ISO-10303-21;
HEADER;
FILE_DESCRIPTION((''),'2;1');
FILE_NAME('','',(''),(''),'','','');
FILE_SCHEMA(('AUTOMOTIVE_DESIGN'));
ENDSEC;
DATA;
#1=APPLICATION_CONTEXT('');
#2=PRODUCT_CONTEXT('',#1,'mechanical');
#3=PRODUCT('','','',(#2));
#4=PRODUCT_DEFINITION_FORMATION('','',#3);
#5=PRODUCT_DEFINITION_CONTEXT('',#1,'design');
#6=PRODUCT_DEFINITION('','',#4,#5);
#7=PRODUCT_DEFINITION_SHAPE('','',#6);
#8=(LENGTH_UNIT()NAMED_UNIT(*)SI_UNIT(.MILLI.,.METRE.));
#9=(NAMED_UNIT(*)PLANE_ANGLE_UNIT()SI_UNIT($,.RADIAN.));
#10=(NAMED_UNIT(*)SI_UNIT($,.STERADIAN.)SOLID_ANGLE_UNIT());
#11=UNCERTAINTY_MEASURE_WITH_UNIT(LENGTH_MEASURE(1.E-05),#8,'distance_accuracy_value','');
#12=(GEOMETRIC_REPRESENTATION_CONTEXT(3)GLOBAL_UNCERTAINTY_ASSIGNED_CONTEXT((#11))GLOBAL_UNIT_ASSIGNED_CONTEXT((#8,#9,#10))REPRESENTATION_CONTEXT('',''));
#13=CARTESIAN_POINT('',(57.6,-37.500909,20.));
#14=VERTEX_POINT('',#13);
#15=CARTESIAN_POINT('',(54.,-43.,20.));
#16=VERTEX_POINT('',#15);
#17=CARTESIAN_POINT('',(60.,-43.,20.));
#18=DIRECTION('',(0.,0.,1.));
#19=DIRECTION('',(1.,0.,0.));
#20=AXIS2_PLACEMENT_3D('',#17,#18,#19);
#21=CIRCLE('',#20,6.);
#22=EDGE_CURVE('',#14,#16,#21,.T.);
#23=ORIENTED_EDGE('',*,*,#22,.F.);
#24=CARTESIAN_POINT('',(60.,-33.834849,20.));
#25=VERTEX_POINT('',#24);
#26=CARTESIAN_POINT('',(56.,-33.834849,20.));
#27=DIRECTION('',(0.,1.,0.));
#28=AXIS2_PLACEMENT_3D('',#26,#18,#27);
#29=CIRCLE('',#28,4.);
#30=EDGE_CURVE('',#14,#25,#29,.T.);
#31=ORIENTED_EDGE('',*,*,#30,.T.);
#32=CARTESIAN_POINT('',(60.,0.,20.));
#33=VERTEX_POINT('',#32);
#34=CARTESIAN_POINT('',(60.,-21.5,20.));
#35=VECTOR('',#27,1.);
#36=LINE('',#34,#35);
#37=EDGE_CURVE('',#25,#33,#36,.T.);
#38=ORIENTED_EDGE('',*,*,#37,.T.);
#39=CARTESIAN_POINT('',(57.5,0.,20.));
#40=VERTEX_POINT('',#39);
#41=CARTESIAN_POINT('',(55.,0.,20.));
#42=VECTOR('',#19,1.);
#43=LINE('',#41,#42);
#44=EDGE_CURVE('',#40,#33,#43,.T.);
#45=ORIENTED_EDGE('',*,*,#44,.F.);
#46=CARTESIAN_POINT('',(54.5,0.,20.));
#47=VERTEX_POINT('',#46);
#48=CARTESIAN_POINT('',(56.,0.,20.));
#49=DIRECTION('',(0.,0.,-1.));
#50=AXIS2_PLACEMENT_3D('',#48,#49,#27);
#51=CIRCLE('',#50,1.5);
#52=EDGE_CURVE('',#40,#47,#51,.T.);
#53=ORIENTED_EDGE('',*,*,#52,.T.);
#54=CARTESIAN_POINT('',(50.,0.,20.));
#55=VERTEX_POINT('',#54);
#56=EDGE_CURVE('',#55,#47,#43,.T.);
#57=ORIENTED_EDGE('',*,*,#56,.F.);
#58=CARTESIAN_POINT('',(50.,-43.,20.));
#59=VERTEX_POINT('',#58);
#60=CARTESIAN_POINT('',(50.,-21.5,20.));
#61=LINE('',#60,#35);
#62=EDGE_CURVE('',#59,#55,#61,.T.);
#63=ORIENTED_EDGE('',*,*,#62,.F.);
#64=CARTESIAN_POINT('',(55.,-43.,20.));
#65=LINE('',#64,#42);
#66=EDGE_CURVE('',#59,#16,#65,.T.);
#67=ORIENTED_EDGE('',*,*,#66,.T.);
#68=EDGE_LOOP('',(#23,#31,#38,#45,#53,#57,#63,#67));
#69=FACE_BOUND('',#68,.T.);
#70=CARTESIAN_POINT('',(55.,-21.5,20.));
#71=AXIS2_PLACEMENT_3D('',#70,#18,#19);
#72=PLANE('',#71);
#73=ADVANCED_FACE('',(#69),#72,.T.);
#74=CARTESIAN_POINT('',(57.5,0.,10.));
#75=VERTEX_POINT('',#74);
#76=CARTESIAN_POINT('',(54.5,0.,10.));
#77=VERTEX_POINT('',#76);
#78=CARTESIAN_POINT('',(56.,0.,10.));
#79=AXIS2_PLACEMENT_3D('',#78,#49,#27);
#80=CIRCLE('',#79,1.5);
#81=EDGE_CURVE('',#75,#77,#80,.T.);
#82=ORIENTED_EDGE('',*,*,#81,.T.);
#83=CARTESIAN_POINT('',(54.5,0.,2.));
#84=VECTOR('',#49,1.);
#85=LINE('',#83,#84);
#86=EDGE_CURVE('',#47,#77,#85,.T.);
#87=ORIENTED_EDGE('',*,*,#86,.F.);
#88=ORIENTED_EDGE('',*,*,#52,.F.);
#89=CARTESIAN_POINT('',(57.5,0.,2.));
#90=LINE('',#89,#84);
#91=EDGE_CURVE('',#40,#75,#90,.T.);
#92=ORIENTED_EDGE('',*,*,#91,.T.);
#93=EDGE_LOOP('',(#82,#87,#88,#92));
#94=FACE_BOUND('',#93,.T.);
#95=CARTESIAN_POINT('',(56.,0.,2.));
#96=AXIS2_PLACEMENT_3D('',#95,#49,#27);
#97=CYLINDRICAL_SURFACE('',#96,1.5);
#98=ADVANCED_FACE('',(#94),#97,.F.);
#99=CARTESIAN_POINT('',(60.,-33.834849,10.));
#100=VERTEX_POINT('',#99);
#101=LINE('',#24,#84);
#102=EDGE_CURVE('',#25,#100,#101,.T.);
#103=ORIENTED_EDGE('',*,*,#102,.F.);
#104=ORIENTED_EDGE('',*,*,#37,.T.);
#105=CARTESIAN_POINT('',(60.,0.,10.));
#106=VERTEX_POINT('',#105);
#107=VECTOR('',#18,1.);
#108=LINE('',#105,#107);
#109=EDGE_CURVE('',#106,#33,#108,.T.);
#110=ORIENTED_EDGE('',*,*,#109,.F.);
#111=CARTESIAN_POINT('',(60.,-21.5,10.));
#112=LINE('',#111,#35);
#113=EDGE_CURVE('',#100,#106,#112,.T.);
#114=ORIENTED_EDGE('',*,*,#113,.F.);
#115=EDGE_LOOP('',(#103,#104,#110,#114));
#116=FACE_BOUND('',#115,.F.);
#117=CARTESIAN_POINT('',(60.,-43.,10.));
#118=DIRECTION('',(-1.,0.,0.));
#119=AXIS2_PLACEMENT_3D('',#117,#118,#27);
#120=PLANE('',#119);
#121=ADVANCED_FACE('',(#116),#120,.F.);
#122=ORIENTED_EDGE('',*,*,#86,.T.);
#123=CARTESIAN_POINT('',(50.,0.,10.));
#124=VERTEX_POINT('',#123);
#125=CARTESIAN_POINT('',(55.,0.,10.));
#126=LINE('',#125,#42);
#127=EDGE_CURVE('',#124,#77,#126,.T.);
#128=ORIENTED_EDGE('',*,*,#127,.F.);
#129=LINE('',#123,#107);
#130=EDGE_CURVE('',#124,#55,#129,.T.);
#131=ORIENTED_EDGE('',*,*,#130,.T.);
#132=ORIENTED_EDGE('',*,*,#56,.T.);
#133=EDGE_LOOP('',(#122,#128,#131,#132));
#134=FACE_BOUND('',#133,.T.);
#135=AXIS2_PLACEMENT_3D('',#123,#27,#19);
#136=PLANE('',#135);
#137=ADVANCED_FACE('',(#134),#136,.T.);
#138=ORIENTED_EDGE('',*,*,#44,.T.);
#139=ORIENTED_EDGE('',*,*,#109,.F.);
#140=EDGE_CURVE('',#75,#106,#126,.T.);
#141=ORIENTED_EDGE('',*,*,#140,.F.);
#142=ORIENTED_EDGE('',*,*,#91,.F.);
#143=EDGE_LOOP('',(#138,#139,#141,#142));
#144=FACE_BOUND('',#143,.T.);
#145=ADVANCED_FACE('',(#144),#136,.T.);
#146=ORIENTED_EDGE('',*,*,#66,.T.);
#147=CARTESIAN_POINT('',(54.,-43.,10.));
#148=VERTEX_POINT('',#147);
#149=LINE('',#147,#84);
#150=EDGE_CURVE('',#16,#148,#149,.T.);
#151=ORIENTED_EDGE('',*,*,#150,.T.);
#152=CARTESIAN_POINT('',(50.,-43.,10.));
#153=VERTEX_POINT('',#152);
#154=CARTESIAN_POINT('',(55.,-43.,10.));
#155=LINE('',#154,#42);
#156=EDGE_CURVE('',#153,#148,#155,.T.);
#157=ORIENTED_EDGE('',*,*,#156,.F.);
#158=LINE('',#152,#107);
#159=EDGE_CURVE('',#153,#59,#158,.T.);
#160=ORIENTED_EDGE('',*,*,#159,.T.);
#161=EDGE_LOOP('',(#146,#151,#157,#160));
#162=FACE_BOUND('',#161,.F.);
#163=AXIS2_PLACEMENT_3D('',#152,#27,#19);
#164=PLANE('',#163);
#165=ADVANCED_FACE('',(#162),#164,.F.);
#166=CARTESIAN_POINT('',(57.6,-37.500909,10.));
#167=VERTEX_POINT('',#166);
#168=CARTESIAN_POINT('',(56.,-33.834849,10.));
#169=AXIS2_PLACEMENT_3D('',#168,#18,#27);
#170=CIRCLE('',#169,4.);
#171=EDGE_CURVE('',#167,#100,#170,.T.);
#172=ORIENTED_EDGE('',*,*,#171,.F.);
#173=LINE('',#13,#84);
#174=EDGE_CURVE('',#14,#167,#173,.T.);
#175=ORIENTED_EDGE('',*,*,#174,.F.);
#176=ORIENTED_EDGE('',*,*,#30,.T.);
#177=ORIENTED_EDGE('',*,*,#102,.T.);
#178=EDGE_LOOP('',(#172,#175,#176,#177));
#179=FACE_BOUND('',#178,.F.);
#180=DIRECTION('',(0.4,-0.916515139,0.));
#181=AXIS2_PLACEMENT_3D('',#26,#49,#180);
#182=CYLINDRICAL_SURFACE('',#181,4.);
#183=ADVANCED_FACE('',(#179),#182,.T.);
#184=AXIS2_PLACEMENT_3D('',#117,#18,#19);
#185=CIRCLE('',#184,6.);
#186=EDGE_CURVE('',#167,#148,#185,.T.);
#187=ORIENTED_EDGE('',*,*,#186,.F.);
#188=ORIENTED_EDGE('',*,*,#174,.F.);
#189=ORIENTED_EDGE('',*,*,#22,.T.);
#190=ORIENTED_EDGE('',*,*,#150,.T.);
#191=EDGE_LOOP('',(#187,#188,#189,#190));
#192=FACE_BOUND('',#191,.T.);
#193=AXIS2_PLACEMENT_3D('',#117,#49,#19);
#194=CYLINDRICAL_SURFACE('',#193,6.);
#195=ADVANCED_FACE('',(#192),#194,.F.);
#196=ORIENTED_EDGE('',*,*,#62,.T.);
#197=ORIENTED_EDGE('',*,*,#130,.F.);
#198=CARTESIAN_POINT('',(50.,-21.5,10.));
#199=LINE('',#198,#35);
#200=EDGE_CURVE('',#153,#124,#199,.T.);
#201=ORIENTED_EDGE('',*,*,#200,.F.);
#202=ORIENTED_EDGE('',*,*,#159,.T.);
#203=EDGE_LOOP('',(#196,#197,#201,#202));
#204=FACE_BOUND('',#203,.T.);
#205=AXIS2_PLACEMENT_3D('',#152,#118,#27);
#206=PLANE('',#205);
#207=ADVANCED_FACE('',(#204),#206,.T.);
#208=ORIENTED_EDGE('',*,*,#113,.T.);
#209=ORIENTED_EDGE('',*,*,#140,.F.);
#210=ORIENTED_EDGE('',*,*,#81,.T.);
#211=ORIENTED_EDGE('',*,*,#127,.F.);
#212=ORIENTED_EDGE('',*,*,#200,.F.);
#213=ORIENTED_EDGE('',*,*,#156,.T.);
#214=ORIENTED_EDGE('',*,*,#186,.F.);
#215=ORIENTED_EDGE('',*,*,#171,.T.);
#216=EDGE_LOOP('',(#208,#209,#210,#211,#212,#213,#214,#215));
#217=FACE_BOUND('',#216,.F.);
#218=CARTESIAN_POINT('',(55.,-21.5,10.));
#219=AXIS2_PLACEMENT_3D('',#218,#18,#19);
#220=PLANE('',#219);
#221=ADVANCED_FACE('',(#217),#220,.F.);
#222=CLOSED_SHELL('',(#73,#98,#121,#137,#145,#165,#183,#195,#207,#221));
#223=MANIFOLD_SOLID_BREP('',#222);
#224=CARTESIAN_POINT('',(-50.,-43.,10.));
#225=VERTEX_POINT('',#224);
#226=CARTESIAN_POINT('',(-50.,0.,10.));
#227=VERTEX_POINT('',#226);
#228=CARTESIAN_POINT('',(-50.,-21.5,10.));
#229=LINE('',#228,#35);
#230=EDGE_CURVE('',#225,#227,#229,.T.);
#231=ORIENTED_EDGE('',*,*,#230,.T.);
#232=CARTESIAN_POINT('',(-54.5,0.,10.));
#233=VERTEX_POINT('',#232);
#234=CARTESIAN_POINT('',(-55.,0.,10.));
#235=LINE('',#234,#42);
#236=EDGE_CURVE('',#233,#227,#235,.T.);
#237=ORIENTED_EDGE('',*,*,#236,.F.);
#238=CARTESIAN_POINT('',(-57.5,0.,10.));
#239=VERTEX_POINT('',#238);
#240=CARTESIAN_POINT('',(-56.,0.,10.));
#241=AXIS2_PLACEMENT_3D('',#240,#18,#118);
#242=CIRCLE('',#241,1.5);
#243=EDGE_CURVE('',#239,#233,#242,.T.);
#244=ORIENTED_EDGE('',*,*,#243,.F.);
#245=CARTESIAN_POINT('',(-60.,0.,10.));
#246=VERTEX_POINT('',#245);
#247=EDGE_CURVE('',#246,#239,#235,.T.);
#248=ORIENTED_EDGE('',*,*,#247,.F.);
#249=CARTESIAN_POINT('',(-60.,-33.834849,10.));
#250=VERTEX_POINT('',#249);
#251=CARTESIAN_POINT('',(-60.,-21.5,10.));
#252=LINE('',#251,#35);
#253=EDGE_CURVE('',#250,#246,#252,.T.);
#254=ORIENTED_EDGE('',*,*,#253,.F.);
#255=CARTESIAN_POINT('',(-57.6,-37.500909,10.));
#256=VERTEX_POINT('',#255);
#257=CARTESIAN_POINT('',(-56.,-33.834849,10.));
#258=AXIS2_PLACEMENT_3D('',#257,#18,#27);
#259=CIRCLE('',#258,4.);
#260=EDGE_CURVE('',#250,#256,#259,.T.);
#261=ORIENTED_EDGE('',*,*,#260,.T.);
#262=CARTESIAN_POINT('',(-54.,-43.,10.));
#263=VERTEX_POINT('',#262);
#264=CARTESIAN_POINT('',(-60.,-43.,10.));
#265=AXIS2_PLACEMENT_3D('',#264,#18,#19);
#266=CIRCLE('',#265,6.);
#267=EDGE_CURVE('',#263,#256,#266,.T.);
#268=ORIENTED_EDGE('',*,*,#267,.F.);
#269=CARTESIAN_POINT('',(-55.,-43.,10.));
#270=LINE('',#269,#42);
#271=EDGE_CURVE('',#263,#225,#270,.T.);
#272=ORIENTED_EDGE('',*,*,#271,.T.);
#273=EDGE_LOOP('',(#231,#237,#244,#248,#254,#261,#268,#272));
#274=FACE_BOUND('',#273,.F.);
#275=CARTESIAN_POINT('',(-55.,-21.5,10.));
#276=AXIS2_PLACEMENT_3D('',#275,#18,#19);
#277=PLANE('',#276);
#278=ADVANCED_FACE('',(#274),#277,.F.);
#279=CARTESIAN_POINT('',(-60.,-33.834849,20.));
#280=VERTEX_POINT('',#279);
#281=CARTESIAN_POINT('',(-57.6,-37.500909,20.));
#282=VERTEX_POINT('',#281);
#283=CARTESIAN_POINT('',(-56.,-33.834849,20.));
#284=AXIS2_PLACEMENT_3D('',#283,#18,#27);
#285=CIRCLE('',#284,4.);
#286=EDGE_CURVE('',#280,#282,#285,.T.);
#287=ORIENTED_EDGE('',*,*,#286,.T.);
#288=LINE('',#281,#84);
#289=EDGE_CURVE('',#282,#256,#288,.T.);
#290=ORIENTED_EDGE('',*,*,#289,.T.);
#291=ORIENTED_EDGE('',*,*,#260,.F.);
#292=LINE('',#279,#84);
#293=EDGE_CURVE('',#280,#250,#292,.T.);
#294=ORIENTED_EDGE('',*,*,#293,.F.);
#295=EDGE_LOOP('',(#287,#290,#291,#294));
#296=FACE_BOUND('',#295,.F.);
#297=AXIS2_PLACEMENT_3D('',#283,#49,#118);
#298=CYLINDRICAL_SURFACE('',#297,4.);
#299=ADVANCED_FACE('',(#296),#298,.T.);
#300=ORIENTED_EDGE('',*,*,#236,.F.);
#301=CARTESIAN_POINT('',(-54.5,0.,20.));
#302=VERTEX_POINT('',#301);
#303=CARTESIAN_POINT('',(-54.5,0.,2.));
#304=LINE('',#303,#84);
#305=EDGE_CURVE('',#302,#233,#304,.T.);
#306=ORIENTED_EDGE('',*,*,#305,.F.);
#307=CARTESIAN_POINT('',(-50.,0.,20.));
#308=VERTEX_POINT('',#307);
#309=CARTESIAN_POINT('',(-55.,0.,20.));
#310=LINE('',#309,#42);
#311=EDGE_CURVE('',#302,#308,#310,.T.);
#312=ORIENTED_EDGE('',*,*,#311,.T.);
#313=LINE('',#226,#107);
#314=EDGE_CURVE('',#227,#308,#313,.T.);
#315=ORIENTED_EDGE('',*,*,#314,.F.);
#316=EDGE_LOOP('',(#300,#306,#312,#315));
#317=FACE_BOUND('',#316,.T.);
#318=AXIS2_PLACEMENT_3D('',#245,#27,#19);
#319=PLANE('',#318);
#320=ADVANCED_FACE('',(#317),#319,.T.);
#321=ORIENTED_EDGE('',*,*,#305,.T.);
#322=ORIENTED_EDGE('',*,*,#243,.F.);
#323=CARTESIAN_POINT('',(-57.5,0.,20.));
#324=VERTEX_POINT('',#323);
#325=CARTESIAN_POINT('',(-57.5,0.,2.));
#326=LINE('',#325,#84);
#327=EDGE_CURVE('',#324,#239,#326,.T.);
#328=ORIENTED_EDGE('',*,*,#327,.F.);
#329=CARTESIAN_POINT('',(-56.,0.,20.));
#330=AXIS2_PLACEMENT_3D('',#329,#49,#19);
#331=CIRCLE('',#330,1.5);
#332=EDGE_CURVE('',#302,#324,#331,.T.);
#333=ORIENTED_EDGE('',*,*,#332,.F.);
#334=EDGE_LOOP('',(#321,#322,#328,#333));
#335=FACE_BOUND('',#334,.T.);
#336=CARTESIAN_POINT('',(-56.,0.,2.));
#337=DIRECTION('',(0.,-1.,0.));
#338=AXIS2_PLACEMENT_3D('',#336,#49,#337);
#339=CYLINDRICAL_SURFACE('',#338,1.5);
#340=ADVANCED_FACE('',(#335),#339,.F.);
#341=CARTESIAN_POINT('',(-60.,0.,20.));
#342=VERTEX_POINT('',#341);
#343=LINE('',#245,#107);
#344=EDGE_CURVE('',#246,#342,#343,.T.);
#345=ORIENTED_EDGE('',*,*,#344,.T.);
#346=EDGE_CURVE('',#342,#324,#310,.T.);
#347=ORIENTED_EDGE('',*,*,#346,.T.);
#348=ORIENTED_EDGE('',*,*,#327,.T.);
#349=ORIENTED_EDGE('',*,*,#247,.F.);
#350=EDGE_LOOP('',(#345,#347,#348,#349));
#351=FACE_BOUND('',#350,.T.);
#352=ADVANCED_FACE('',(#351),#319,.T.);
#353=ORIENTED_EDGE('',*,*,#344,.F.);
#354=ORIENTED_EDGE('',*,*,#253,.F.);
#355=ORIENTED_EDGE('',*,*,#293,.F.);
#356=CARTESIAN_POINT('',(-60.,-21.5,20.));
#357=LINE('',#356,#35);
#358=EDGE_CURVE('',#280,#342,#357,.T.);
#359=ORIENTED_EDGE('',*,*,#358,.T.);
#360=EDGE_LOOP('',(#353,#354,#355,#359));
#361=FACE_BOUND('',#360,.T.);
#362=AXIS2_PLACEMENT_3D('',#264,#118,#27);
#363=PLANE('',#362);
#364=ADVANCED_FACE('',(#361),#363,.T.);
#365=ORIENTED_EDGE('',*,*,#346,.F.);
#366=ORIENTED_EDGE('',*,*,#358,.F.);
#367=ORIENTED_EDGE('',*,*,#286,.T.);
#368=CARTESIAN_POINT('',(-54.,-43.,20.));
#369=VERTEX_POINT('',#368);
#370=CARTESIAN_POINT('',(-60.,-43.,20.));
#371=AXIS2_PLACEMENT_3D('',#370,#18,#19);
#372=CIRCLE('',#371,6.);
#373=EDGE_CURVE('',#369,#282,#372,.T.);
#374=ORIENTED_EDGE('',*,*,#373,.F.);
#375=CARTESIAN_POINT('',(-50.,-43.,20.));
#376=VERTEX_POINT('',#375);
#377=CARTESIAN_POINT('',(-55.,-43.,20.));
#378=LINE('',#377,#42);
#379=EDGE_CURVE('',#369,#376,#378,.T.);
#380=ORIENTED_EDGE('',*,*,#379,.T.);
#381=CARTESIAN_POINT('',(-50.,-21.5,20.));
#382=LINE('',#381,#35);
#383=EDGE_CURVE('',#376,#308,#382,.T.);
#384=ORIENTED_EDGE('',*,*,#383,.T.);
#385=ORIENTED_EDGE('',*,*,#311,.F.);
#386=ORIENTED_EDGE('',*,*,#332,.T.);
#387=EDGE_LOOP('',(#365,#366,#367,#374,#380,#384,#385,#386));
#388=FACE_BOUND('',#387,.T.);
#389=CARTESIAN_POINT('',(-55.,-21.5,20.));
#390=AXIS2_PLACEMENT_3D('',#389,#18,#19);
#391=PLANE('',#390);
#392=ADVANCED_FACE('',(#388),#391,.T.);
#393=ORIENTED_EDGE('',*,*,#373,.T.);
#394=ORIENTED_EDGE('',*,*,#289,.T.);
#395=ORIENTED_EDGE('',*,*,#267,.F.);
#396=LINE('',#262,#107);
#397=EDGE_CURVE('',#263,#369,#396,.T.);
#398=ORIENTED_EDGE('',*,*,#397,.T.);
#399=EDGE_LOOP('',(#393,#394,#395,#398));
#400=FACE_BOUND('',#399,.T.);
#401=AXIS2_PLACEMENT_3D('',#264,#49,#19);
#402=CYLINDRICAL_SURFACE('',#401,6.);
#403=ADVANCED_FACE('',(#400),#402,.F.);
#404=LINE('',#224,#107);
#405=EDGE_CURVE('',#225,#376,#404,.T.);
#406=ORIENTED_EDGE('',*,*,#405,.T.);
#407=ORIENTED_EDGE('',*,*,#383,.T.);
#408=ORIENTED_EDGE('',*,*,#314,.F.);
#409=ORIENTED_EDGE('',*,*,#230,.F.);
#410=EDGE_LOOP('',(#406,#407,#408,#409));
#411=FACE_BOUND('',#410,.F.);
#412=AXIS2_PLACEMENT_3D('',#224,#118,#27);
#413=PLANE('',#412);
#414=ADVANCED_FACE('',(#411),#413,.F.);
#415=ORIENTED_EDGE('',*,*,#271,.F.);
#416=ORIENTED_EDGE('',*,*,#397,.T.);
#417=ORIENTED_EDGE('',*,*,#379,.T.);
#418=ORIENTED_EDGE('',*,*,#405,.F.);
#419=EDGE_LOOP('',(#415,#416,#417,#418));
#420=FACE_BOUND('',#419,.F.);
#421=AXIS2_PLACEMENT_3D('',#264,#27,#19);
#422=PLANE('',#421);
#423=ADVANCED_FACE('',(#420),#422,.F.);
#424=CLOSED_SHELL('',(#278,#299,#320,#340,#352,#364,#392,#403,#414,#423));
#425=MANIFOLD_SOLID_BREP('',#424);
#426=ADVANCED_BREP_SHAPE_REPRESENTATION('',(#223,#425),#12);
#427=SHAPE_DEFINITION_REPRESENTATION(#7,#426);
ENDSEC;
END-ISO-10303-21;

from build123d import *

# Parameters (mm, degrees)
CYLINDER526_R               = 6
CYLINDER526_DEPTH           = 10
CYLINDER522_R               = 6
CYLINDER522_DEPTH           = 10
CYLINDER524_R               = 1.5
CYLINDER524_DEPTH           = 20
CYLINDER524_PLACEMENT_ANGLE = 45
CYLINDER521_R               = 1.5
CYLINDER521_DEPTH           = 20
CYLINDER523_R               = 1.5
CYLINDER523_DEPTH           = 20
CYLINDER523_PLACEMENT_ANGLE = 135
CYLINDER527_R               = 1.5
CYLINDER527_DEPTH           = 20
CYLINDER520_R               = 1.5
CYLINDER520_DEPTH           = 20
CYLINDER520_PLACEMENT_ANGLE = 225
CYLINDER525_R               = 1.5
CYLINDER525_DEPTH           = 20
CYLINDER518_R               = 1.5
CYLINDER518_DEPTH           = 20
CYLINDER518_PLACEMENT_ANGLE = 45
CYLINDER519_R               = 1.5
CYLINDER519_DEPTH           = 20
BOX108_W                    = 10
BOX108_H                    = 43
BOX108_DEPTH                = 10
BOX109_W                    = 10
BOX109_H                    = 43
BOX109_DEPTH                = 10
FILLET002_R                 = 4


with BuildPart() as v_lec526:
    # Cylinder526 → Cylinder526 (new body)
    with BuildSketch(Plane(origin=(-60, -43, 10), x_dir=(1, 0, 0), z_dir=(0, 0, 1))):
        Circle(CYLINDER526_R)
    extrude(amount=CYLINDER526_DEPTH)


with BuildPart() as compound241:
    # Cylinder522 → Cylinder522 (new body)
    with BuildSketch(Plane(origin=(60, -43, 10), x_dir=(1, 0, 0), z_dir=(0, 0, 1))):
        Circle(CYLINDER522_R)
    extrude(amount=CYLINDER522_DEPTH)

    # Compound241: union Válec526
    add(v_lec526.part)


with BuildPart() as v_lec524:
    # Cylinder524 → Cylinder524 (new body)
    with BuildSketch(Plane.XY):
        Circle(CYLINDER524_R)
    extrude(amount=CYLINDER524_DEPTH)


with BuildPart() as v_lec524_1:
    # Cylinder524 placement: moved
    add(v_lec524.part.moved(Location((39.59798, -39.59798, 2))).rotate(Axis((39.59798, -39.59798, 2), (0, 0, 1)), CYLINDER524_PLACEMENT_ANGLE))


with BuildPart() as v_lec521:
    # Cylinder521 → Cylinder521 (new body)
    with BuildSketch(Plane(origin=(56, 0, 2), x_dir=(0, 1, 0), z_dir=(0, 0, 1))):
        Circle(CYLINDER521_R)
    extrude(amount=CYLINDER521_DEPTH)


with BuildPart() as v_lec523:
    # Cylinder523 → Cylinder523 (new body)
    with BuildSketch(Plane.XY):
        Circle(CYLINDER523_R)
    extrude(amount=CYLINDER523_DEPTH)


with BuildPart() as v_lec523_1:
    # Cylinder523 placement: moved
    add(v_lec523.part.moved(Location((39.59798, 39.59798, 2))).rotate(Axis((39.59798, 39.59798, 2), (0, 0, 1)), CYLINDER523_PLACEMENT_ANGLE))


with BuildPart() as v_lec527:
    # Cylinder527 → Cylinder527 (new body)
    with BuildSketch(Plane(origin=(0, 56, 2), x_dir=(-1, 0, 0), z_dir=(0, 0, 1))):
        Circle(CYLINDER527_R)
    extrude(amount=CYLINDER527_DEPTH)


with BuildPart() as v_lec520:
    # Cylinder520 → Cylinder520 (new body)
    with BuildSketch(Plane.XY):
        Circle(CYLINDER520_R)
    extrude(amount=CYLINDER520_DEPTH)


with BuildPart() as v_lec520_1:
    # Cylinder520 placement: moved
    add(v_lec520.part.moved(Location((-39.59798, 39.59798, 2))).rotate(Axis((-39.59798, 39.59798, 2), (0, 0, 1)), CYLINDER520_PLACEMENT_ANGLE))


with BuildPart() as v_lec525:
    # Cylinder525 → Cylinder525 (new body)
    with BuildSketch(Plane(origin=(-56, 0, 2), x_dir=(0, -1, 0), z_dir=(0, 0, 1))):
        Circle(CYLINDER525_R)
    extrude(amount=CYLINDER525_DEPTH)


with BuildPart() as v_lec518:
    # Cylinder518 → Cylinder518 (new body)
    with BuildSketch(Plane.XY):
        Circle(CYLINDER518_R)
    extrude(amount=CYLINDER518_DEPTH)


with BuildPart() as v_lec518_1:
    # Cylinder518 placement: moved
    add(v_lec518.part.moved(Location((-39.59798, -39.59798, 2))).rotate(Axis((-39.59798, -39.59798, 2), (0, 0, -1)), CYLINDER518_PLACEMENT_ANGLE))


with BuildPart() as compound240:
    # Cylinder519 → Cylinder519 (new body)
    with BuildSketch(Plane(origin=(0, -56, 2), x_dir=(1, 0, 0), z_dir=(0, 0, 1))):
        Circle(CYLINDER519_R)
    extrude(amount=CYLINDER519_DEPTH)

    # Compound240: union Válec524, Válec521, Válec523, Válec527, Válec520, Válec525, Válec518
    add(v_lec524_1.part)
    add(v_lec521.part)
    add(v_lec523_1.part)
    add(v_lec527.part)
    add(v_lec520_1.part)
    add(v_lec525.part)
    add(v_lec518_1.part)


with BuildPart() as krychle108:
    # Box108 → Box108 (new body)
    with BuildSketch(Plane(origin=(50, -43, 10), x_dir=(1, 0, 0), z_dir=(0, 0, 1))):
        with Locations((5, 21.5)):
            Rectangle(BOX108_W, BOX108_H)
    extrude(amount=BOX108_DEPTH)


with BuildPart() as fillet002:
    # Box109 → Box109 (new body)
    with BuildSketch(Plane(origin=(-60, -43, 10), x_dir=(1, 0, 0), z_dir=(0, 0, 1))):
        with Locations((5, 21.5)):
            Rectangle(BOX109_W, BOX109_H)
    extrude(amount=BOX109_DEPTH)

    # Compound239: union Krychle108
    add(krychle108.part)

    # Cut206: cut Compound240
    add(compound240.part, mode=Mode.SUBTRACT)

    # Cut207: cut Compound241
    add(compound241.part, mode=Mode.SUBTRACT)

    # Fillet002
    fillet002_edges = [fillet002.edges().sort_by_distance(p)[0] for p in [
        (-60, -37, 15),
        (60, -37, 15),
    ]]
    fillet(fillet002_edges, radius=FILLET002_R)


solid = fillet002.part
